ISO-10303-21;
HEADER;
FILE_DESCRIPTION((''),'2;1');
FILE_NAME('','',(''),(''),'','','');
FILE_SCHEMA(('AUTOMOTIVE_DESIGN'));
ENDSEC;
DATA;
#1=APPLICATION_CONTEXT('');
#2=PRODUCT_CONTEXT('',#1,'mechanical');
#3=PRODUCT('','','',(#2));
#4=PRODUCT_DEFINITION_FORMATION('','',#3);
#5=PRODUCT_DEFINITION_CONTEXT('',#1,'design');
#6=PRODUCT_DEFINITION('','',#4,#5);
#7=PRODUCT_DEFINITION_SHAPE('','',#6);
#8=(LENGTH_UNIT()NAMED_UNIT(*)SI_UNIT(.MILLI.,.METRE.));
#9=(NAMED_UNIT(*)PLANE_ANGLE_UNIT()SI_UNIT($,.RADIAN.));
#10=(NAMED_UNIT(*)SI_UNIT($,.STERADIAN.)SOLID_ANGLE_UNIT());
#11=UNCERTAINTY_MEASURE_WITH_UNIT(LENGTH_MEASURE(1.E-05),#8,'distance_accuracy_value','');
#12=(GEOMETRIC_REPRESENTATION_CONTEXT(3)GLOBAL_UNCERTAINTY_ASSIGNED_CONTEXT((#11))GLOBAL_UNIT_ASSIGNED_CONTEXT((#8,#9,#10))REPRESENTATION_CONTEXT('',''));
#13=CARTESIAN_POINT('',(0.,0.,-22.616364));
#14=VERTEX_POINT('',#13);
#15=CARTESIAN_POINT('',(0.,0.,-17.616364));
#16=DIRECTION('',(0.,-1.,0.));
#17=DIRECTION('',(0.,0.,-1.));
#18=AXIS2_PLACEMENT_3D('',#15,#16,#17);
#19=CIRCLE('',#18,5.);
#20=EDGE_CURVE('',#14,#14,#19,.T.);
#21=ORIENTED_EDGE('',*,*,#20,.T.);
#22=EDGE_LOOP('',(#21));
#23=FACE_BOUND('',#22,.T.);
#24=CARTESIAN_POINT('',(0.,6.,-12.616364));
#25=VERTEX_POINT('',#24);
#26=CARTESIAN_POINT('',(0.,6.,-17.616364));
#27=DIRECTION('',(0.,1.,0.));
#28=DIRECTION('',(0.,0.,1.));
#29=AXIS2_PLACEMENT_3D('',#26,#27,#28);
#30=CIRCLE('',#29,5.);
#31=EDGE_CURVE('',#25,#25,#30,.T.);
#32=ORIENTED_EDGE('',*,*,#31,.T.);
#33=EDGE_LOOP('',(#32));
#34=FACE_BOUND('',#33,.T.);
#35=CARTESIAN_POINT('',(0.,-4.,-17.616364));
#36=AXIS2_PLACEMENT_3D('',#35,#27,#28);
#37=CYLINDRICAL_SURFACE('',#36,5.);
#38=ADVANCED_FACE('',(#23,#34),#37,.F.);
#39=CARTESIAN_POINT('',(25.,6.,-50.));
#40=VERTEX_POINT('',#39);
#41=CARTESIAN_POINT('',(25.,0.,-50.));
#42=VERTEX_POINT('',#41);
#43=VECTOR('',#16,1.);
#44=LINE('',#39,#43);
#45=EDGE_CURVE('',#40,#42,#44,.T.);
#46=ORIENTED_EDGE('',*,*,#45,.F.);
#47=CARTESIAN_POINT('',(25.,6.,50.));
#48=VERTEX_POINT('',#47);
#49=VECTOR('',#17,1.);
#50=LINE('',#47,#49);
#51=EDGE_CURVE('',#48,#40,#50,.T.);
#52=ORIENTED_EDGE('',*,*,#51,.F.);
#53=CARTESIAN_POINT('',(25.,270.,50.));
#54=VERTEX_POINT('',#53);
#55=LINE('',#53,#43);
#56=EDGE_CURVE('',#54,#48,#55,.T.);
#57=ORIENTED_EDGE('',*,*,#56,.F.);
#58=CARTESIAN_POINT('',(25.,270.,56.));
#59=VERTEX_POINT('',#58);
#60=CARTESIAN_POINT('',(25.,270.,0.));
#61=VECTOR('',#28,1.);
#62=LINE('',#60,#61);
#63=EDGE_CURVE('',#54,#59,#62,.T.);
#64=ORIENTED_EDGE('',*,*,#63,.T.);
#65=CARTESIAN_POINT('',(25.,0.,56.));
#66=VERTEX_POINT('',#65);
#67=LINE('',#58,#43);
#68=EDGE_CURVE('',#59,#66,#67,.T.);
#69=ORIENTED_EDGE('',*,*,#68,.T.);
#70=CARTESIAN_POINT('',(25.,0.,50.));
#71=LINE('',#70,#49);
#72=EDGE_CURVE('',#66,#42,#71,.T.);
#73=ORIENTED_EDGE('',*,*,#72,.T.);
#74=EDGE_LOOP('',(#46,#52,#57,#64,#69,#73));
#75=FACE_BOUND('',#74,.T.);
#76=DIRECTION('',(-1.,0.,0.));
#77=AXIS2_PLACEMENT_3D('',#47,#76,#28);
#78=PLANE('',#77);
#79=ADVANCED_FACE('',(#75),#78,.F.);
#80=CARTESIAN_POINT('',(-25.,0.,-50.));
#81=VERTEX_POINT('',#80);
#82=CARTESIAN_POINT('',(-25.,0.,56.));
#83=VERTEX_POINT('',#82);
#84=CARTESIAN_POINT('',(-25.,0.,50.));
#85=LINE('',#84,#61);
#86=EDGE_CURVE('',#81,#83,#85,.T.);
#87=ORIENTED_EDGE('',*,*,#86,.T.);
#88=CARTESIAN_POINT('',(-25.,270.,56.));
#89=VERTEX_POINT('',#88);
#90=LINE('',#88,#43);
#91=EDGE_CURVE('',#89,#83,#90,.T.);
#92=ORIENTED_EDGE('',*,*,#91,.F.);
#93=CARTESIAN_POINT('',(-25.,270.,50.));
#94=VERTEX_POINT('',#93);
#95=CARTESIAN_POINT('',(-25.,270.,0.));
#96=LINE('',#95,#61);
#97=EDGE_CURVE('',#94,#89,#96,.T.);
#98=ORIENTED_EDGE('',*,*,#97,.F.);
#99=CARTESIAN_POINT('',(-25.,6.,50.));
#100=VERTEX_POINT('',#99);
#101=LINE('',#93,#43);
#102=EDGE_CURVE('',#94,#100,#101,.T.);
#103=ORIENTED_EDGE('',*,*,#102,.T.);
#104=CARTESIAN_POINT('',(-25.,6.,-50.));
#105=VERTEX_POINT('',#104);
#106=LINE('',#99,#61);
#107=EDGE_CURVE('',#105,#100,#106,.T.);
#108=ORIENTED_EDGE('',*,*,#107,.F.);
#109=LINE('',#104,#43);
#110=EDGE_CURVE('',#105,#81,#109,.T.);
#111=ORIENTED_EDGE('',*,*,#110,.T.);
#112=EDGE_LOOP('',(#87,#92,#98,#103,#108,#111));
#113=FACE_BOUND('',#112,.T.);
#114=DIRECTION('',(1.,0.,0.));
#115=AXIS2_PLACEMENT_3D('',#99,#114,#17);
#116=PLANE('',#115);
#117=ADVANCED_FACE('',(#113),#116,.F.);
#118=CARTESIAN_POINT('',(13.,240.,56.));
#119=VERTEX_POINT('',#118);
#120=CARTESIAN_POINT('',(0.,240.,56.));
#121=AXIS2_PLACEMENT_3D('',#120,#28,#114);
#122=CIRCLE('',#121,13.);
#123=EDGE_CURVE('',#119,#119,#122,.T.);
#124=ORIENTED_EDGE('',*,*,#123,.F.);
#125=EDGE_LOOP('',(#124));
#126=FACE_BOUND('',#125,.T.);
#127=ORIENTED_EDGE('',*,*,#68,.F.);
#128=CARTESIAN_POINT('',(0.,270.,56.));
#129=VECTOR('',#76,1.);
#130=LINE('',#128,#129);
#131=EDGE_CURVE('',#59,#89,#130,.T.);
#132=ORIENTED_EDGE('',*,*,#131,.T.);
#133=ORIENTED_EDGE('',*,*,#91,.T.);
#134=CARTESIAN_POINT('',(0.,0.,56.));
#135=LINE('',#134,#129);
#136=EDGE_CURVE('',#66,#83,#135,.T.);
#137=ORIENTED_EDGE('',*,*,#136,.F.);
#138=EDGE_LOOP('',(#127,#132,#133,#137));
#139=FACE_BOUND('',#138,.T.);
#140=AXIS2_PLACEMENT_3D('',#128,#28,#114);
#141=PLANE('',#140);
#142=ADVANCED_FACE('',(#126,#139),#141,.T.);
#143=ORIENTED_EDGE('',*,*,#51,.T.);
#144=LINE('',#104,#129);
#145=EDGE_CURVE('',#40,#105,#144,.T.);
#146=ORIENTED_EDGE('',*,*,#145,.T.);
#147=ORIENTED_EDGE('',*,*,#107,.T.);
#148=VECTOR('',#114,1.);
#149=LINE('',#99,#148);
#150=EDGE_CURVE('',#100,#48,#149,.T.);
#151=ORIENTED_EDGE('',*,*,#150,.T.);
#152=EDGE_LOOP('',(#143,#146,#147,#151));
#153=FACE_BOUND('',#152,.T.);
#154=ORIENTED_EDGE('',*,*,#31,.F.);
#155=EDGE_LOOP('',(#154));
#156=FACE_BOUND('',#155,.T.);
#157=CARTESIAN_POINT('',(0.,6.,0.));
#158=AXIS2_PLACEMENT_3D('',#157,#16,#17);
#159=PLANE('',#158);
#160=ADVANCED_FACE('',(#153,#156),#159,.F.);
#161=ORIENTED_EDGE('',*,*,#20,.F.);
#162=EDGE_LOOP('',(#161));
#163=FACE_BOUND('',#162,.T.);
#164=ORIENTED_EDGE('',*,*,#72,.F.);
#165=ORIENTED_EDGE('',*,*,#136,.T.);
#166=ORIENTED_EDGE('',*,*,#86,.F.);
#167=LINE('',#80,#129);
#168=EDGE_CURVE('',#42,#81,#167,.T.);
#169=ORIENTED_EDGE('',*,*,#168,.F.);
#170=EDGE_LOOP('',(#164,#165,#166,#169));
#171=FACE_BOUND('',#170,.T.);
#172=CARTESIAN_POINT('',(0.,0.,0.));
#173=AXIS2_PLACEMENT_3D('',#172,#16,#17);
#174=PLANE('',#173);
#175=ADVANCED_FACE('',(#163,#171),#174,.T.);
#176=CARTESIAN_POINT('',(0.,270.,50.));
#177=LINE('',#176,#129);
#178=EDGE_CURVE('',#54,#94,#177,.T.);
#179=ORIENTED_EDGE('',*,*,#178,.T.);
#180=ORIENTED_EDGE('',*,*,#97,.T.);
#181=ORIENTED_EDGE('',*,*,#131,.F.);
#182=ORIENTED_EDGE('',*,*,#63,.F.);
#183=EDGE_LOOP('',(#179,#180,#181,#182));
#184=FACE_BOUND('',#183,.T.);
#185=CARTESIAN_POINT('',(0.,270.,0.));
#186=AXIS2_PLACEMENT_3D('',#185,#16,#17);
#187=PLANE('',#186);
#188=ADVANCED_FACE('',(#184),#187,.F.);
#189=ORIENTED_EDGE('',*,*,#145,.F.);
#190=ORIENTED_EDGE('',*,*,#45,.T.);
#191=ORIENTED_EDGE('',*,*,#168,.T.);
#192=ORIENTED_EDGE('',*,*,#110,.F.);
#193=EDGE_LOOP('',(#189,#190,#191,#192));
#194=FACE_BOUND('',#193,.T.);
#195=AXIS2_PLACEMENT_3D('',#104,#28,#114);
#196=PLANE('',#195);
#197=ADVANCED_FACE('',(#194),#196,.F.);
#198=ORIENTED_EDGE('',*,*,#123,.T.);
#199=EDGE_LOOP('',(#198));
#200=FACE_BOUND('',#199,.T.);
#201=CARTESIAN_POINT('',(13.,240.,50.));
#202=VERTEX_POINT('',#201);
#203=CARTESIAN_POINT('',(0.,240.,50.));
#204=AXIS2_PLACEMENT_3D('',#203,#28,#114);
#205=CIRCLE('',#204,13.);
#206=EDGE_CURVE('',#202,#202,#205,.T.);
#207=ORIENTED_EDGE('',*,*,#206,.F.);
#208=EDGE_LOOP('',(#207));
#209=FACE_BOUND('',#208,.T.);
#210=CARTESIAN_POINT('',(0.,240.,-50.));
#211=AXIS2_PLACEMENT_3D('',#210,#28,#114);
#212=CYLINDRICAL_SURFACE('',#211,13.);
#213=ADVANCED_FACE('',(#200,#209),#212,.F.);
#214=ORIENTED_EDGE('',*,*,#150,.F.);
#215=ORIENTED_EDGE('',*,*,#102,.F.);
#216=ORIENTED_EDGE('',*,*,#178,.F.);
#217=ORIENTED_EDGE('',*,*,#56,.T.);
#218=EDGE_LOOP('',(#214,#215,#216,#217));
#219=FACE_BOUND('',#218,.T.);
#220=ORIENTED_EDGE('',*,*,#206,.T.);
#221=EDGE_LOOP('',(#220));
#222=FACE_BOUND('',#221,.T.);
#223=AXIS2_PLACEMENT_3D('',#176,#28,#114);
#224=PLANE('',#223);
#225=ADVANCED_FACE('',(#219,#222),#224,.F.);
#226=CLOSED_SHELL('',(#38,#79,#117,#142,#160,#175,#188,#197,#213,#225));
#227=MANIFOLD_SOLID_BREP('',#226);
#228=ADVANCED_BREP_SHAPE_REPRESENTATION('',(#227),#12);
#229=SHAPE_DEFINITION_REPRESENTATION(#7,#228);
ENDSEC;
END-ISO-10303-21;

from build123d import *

# Parameters (mm, degrees)
CROQUIS1_W              = 50
CROQUIS1_H              = 100
SALIENTE_EXTRUIR1_DEPTH = 6
CROQUIS2_W              = 50
CROQUIS2_H              = 6
SALIENTE_EXTRUIR2_DEPTH = 270
CROQUIS3_R              = 13
CORTAR_EXTRUIR1_DEPTH   = 107
SKETCH1_R               = 5
CUT_EXTRUDE1_DEPTH      = 10


with BuildPart() as part:
    # Croquis1 → Saliente-Extruir1 (new body)
    with BuildSketch(Plane(origin=(0, 0, 0), x_dir=(1, 0, 0), z_dir=(0, 1, 0))):
        Rectangle(CROQUIS1_W, CROQUIS1_H)
    extrude(amount=SALIENTE_EXTRUIR1_DEPTH)

    # Croquis2 → Saliente-Extruir2 (add)
    with BuildSketch(Plane.XZ):
        with Locations((0, 53)):
            Rectangle(CROQUIS2_W, CROQUIS2_H)
    extrude(amount=-SALIENTE_EXTRUIR2_DEPTH)

    # Croquis3 → Cortar-Extruir1 (cut, through all)
    with BuildSketch(Plane.XY.offset(56)):
        with Locations((0, 240)):
            Circle(CROQUIS3_R)
    extrude(amount=-CORTAR_EXTRUIR1_DEPTH, mode=Mode.SUBTRACT)

    # Sketch1 → Cut-Extrude1 (cut)
    with BuildSketch(Plane(origin=(0, 6, 0), x_dir=(1, 0, 0), z_dir=(0, 1, 0))):
        with Locations((0, 17.616363636)):
            Circle(SKETCH1_R)
    extrude(amount=-CUT_EXTRUDE1_DEPTH, mode=Mode.SUBTRACT)


solid = part.part
